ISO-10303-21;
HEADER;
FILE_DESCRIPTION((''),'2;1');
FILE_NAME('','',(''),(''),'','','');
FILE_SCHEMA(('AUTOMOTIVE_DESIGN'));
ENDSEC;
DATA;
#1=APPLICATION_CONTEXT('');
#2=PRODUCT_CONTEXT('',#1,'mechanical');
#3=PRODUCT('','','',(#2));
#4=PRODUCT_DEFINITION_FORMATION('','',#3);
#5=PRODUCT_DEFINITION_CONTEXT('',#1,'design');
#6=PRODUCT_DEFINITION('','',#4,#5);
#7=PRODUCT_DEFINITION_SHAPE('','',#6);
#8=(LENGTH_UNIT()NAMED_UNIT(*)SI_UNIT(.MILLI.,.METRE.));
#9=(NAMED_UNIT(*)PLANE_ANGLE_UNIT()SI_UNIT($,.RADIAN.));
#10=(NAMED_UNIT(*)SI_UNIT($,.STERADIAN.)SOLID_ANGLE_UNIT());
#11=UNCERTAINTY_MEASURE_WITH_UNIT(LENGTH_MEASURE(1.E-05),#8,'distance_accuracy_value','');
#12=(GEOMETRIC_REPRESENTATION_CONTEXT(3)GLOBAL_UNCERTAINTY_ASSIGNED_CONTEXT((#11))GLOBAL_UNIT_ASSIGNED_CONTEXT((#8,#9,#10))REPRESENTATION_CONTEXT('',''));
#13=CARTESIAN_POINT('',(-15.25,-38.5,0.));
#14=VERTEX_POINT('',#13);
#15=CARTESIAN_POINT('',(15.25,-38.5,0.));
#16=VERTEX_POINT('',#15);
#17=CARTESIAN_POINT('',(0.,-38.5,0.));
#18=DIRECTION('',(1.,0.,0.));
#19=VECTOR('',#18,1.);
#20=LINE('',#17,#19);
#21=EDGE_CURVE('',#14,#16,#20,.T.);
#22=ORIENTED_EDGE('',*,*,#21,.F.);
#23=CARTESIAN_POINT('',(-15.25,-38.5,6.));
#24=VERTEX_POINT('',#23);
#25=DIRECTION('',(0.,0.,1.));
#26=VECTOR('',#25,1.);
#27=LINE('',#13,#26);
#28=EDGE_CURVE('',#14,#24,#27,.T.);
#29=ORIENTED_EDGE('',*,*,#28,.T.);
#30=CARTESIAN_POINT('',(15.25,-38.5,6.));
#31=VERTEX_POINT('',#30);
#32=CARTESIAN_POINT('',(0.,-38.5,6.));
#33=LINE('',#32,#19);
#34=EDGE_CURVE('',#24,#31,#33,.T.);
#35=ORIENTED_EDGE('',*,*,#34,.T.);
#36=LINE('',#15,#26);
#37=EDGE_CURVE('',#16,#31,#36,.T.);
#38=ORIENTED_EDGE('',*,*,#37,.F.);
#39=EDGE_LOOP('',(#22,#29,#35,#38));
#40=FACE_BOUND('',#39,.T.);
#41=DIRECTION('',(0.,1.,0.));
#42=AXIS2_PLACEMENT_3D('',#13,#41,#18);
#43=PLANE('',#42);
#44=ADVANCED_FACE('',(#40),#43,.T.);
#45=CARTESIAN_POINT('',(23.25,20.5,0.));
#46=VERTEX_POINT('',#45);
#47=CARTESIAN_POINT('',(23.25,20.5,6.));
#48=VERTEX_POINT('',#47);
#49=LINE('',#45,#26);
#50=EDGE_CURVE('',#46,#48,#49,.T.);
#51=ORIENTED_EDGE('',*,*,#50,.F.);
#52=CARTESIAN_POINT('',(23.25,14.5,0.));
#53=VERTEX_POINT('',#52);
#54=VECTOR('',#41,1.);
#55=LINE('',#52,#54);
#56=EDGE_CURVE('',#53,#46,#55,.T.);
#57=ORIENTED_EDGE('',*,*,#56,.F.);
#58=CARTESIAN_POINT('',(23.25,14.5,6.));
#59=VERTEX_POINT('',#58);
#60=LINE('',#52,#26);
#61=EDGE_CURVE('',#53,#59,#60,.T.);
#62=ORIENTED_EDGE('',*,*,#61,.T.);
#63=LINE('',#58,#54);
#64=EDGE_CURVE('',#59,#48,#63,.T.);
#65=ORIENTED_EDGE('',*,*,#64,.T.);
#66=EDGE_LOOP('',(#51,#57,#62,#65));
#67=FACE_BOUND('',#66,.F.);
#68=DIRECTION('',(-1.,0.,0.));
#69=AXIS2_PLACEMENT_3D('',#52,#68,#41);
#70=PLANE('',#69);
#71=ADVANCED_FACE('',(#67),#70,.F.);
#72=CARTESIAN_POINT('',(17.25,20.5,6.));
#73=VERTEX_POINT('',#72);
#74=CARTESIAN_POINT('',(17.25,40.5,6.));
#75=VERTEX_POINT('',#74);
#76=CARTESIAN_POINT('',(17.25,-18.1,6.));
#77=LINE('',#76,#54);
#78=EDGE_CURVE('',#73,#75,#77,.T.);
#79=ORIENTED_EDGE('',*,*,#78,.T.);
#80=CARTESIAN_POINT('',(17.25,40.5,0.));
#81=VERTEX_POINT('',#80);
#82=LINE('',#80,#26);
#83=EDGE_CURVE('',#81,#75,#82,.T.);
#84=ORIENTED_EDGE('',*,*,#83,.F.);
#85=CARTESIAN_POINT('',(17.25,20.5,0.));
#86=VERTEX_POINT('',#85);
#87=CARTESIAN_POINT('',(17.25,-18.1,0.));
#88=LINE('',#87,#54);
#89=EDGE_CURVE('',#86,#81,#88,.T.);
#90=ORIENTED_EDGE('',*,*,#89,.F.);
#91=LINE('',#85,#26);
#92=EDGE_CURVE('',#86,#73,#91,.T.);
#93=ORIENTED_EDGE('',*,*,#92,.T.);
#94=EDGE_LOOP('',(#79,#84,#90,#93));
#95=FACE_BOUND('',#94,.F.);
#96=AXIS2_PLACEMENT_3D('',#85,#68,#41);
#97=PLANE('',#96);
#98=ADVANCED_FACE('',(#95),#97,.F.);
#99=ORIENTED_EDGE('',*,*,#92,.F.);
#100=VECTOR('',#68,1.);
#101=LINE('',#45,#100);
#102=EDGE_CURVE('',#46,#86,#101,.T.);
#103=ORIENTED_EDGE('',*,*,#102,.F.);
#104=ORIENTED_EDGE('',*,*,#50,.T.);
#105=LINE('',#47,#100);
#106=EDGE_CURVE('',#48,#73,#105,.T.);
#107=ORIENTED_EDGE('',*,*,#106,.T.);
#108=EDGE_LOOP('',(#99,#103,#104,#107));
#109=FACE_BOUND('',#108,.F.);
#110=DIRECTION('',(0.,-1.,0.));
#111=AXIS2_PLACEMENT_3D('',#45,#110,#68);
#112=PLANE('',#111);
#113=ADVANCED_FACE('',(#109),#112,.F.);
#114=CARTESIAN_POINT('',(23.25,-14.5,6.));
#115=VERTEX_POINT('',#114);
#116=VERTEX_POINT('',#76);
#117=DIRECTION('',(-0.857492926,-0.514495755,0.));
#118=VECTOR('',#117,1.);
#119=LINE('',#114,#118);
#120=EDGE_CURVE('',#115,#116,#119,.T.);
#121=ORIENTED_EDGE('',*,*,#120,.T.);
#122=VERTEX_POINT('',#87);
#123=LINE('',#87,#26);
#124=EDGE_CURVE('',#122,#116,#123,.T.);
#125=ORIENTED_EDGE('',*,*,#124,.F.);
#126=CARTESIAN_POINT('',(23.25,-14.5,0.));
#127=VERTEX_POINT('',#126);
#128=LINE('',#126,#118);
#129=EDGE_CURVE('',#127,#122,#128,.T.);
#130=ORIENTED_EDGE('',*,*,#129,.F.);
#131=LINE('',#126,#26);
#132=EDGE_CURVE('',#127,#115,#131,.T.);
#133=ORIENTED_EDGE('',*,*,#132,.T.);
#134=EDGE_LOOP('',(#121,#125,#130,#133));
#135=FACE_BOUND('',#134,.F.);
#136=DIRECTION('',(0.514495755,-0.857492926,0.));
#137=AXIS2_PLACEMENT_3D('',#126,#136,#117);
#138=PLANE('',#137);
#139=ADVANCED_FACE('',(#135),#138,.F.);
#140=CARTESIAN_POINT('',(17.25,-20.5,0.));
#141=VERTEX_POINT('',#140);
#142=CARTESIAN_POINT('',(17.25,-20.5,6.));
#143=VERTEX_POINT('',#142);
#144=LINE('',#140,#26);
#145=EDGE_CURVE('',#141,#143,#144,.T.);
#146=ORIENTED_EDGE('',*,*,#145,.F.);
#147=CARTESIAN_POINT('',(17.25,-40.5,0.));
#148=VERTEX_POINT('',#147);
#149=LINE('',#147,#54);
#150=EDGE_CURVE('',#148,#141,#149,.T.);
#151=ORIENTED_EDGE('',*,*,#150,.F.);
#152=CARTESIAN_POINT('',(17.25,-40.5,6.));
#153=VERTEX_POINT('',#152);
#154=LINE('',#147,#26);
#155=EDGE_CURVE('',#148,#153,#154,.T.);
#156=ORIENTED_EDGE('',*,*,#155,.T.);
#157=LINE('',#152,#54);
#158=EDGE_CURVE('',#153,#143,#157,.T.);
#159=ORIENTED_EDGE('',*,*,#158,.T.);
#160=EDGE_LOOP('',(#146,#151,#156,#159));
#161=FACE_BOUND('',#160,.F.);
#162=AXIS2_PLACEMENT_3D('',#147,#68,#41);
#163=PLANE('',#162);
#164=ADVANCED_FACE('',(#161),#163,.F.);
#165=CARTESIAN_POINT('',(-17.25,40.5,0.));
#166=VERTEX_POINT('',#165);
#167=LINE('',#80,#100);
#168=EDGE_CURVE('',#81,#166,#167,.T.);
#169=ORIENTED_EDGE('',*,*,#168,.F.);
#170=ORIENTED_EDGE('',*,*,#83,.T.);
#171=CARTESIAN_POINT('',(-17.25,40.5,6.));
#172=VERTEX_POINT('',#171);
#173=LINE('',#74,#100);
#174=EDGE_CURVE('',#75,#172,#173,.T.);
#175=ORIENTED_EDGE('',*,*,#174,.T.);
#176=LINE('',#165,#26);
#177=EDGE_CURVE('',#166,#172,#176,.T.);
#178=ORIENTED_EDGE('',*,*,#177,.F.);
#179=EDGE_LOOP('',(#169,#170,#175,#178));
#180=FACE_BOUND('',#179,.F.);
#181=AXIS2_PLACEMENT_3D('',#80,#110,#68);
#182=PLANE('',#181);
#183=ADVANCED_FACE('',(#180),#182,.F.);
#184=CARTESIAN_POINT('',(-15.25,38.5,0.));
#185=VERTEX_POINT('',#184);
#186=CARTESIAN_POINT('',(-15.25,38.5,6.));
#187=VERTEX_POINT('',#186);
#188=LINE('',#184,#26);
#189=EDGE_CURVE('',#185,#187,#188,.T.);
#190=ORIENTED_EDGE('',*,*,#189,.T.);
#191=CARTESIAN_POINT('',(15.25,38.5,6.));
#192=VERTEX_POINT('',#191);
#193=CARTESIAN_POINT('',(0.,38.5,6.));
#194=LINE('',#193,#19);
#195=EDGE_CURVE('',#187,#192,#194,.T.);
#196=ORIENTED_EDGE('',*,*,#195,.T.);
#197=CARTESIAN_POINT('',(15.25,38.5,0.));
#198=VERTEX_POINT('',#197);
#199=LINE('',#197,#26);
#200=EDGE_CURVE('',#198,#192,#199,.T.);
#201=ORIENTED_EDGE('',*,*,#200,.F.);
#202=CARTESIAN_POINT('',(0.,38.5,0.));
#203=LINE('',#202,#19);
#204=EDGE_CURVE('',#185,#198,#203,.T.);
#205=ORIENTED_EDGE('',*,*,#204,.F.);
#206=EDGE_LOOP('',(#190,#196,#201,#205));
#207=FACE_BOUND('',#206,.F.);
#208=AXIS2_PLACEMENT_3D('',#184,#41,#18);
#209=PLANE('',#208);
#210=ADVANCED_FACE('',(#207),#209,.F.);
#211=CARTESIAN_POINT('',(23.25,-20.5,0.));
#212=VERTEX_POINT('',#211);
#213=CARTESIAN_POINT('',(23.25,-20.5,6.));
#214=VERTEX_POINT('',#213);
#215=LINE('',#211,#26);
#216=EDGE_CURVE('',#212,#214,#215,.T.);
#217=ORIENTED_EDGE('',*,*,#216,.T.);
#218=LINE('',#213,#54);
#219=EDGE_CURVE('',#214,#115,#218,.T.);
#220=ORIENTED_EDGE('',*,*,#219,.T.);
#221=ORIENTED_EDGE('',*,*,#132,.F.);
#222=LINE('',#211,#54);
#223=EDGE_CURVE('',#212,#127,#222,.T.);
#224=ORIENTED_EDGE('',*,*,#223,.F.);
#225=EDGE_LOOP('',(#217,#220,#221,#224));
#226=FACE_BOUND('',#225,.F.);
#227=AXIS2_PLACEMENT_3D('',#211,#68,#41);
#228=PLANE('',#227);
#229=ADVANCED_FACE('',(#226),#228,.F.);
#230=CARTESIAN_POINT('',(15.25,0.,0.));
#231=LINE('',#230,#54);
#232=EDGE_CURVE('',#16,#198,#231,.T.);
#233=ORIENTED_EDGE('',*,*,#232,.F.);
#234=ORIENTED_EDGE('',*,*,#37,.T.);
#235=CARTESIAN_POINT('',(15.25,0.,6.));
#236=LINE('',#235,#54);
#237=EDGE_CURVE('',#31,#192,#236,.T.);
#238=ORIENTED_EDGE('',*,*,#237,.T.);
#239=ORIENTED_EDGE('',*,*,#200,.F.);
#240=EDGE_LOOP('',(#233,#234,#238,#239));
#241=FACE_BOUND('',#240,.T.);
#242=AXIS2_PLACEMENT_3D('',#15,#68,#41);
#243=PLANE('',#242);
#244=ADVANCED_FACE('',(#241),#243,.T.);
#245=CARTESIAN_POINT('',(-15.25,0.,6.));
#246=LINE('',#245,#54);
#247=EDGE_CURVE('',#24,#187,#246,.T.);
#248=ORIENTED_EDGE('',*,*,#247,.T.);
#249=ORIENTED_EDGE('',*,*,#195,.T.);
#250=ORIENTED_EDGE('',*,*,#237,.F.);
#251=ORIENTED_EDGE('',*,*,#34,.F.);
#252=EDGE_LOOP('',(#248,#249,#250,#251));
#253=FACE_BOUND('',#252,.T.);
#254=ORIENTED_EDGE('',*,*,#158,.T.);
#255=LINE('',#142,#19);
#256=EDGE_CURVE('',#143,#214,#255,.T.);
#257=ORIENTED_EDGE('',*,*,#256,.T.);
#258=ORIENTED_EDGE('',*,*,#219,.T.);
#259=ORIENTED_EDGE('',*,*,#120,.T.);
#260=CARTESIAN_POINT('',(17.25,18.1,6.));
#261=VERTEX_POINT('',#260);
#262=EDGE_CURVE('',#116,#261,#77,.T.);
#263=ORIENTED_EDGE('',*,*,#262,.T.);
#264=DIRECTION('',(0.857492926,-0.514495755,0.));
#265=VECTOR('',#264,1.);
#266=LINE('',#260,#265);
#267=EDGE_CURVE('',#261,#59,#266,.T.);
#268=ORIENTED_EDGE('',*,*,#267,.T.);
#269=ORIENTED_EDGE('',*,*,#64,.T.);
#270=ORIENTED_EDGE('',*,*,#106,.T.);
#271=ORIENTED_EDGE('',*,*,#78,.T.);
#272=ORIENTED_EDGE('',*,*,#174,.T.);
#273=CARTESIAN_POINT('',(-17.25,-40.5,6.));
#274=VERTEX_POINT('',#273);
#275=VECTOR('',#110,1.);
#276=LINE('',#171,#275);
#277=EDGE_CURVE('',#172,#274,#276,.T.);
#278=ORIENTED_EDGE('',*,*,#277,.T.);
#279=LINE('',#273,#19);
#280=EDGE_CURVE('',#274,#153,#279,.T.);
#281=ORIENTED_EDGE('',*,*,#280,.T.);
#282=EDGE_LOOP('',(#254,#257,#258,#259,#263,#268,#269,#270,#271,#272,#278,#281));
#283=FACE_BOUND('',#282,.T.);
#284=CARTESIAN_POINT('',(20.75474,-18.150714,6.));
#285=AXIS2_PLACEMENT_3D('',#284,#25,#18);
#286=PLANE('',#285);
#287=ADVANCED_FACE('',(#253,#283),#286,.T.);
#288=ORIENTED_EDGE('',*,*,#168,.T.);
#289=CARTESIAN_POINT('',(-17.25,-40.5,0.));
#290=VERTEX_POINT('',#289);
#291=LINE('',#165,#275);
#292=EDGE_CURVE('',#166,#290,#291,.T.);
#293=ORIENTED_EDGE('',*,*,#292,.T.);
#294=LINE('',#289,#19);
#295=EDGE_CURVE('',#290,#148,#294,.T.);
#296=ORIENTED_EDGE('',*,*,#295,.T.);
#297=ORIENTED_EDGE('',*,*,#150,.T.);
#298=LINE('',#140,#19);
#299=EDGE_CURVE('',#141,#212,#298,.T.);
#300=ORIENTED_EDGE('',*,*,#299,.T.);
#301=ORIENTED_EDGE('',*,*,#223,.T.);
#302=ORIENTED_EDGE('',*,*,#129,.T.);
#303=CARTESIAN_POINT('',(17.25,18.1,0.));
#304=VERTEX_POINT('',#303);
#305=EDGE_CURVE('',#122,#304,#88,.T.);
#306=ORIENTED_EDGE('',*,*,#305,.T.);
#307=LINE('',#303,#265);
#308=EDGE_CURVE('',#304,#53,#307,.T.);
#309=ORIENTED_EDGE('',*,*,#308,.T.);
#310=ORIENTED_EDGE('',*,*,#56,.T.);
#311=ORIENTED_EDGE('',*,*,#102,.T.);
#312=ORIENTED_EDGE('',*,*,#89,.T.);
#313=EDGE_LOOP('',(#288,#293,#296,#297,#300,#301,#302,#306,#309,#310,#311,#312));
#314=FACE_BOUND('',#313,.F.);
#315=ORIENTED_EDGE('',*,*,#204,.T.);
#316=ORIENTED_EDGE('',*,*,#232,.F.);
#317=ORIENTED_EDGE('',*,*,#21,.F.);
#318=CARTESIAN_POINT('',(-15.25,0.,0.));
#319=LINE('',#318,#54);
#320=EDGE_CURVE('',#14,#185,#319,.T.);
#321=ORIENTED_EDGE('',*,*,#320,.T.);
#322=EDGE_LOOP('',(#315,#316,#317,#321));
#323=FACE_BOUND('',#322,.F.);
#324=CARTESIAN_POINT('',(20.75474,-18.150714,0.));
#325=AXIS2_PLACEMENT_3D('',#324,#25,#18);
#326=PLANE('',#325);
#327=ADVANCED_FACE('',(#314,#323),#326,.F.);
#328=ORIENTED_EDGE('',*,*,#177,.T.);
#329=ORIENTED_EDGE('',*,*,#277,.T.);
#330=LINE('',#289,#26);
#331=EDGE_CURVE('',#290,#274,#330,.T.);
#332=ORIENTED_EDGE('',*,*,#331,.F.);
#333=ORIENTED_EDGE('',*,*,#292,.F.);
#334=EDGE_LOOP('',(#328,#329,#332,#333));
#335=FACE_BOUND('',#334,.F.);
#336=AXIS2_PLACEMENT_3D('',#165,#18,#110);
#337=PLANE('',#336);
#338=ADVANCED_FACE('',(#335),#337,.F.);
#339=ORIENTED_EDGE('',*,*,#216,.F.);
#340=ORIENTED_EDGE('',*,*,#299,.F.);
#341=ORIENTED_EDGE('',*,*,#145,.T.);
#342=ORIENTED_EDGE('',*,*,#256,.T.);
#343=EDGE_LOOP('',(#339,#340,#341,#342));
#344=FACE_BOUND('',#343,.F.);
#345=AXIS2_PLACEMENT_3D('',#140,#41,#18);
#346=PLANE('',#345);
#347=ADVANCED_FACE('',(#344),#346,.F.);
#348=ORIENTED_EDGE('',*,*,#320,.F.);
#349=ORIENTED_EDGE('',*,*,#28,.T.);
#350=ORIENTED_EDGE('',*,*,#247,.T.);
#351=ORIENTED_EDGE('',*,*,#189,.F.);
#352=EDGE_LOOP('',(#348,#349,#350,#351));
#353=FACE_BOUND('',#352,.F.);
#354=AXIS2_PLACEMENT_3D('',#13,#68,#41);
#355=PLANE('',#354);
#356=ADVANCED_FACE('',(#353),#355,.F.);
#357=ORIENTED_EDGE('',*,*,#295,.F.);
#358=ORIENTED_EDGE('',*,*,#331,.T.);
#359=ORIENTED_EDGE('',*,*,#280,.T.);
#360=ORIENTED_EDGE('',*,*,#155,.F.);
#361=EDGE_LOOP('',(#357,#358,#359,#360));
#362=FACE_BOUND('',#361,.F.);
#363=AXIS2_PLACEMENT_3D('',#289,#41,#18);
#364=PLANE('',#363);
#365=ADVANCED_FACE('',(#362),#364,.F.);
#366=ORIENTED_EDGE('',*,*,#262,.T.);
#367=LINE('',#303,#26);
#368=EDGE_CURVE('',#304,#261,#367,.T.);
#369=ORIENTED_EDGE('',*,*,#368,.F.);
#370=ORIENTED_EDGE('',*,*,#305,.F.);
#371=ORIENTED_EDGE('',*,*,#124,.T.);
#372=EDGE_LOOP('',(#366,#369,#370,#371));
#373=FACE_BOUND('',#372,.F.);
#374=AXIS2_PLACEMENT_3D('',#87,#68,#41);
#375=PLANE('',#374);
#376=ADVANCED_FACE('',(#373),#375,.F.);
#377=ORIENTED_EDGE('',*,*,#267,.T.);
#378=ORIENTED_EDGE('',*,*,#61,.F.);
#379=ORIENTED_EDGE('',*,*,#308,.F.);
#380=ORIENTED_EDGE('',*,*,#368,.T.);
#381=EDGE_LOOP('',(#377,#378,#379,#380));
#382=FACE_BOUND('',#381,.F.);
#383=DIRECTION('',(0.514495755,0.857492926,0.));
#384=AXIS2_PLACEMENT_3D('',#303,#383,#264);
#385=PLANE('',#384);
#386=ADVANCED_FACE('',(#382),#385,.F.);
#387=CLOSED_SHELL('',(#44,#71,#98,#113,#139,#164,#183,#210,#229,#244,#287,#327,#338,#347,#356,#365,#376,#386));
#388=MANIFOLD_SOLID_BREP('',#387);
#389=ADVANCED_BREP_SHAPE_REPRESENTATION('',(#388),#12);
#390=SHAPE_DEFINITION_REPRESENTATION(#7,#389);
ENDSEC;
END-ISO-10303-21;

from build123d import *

# Parameters (mm, degrees)
F0_W     = 30.5
F0_H     = 77
F1_DEPTH = 6


with BuildPart() as f1:
    # F0 (on Top) → F1 (new body)
    with BuildSketch(Plane.XY):
        Polygon((17.25, -18.1), (17.25, -20.5), (23.25, -20.5), (23.25, -14.5), align=None)
        Polygon((-17.25, -40.5), (17.25, -40.5), (17.25, -20.5), (17.25, -18.1), (17.25, -11.055043), (17.25, 11.055043), (17.25, 18.1), (17.25, 20.5), (17.25, 40.5), (-17.25, 40.5), align=None)
        Rectangle(F0_W, F0_H, mode=Mode.SUBTRACT)
        Polygon((23.25, 20.5), (17.25, 20.5), (17.25, 18.1), (23.25, 14.5), align=None)
    extrude(amount=F1_DEPTH)


solid = f1.part
